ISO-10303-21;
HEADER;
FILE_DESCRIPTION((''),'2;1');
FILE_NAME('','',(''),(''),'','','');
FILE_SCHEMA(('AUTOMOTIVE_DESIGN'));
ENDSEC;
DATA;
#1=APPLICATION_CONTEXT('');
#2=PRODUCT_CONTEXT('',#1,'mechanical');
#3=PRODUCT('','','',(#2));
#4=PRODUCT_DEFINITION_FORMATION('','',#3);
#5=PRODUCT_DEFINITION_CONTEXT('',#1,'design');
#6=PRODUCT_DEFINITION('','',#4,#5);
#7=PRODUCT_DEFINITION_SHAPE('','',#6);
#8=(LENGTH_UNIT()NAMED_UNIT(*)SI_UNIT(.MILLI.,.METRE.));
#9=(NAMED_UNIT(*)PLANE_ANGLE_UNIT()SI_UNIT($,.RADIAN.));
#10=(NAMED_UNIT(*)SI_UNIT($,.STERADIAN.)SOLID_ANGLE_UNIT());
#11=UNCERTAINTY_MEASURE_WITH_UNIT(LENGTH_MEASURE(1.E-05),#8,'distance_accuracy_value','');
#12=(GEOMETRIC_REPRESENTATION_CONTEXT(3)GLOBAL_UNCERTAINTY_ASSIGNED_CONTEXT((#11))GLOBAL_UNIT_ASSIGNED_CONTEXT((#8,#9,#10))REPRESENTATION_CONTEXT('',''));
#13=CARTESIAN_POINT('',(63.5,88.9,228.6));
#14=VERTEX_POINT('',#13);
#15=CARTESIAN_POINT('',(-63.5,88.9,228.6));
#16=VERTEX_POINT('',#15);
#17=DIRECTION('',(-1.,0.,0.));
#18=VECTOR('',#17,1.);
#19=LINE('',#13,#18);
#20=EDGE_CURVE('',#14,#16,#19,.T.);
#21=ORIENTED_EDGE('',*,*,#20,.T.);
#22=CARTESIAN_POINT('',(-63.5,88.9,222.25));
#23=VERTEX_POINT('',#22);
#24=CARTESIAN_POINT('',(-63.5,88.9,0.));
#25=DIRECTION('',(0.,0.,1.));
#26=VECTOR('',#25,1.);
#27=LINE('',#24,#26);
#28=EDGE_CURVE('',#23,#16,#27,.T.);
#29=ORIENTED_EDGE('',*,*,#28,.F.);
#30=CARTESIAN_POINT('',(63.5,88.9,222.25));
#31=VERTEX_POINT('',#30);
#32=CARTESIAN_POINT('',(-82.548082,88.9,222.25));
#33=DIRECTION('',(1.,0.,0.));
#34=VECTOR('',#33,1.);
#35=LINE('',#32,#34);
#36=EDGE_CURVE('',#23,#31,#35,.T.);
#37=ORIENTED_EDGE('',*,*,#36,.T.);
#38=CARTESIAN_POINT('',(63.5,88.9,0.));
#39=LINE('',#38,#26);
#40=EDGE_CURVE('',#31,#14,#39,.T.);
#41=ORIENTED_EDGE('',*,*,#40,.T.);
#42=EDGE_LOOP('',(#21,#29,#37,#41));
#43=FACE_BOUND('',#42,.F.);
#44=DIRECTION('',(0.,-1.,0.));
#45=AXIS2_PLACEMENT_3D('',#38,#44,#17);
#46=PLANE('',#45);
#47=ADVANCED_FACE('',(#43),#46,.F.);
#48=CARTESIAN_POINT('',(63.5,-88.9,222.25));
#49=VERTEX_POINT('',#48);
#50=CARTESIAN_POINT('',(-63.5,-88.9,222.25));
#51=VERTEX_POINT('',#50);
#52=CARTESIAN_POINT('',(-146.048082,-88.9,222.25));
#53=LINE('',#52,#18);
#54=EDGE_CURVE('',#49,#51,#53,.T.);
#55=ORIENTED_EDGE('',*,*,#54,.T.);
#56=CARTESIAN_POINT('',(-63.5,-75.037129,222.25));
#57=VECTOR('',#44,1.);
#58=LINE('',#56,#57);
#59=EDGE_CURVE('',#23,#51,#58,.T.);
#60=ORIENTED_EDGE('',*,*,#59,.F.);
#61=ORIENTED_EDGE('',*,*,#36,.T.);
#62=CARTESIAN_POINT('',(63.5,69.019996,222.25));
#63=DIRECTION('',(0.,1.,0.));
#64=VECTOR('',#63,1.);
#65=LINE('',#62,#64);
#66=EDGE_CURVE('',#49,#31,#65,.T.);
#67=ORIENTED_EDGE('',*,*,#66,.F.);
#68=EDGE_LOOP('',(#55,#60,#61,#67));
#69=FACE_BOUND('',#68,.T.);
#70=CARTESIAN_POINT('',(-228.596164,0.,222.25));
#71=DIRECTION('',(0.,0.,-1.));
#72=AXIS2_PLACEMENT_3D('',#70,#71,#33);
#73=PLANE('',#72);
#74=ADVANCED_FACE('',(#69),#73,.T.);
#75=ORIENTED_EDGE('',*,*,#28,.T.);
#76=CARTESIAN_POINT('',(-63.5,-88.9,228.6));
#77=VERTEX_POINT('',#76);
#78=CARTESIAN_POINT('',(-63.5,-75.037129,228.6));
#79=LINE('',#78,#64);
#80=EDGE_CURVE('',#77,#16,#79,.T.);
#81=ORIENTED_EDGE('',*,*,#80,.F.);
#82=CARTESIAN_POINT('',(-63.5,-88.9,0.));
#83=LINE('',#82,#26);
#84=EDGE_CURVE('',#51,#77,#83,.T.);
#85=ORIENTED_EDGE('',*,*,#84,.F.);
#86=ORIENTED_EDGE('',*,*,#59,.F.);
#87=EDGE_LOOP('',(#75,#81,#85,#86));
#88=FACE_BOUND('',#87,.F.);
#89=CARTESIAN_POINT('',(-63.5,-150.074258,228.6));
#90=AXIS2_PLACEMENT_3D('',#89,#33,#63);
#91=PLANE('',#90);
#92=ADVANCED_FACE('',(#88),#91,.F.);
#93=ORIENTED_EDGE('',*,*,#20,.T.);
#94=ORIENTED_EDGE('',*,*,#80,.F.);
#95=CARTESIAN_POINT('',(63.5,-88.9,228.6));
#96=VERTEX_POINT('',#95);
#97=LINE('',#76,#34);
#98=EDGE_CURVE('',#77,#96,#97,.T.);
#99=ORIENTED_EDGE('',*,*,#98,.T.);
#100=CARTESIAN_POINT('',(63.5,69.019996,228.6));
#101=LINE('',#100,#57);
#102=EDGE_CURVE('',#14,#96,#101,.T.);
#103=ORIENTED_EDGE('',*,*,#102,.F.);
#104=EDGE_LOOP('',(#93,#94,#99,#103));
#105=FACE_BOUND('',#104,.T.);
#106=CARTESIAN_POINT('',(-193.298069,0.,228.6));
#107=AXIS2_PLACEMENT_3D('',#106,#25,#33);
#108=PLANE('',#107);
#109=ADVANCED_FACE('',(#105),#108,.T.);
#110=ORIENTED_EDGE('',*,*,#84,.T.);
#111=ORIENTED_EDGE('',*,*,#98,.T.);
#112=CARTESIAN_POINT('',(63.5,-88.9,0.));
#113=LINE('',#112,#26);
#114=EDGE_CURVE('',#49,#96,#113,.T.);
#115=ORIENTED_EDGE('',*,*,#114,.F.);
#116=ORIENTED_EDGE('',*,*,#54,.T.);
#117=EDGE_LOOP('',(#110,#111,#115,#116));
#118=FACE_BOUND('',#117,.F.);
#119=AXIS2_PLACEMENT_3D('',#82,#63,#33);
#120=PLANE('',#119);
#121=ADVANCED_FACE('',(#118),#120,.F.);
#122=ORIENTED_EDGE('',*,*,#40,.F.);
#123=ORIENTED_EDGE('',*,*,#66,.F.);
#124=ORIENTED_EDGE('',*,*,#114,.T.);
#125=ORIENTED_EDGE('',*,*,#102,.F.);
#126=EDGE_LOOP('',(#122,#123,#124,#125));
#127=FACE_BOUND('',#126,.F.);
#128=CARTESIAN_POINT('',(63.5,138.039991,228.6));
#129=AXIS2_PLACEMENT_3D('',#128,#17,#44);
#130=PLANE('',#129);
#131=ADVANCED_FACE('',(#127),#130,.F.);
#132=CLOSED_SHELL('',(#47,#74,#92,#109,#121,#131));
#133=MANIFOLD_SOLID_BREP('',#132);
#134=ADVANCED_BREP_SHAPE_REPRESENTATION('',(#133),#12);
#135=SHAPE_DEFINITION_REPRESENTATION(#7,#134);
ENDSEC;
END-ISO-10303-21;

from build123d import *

# Parameters (mm, degrees)
F1_DEPTH  = 228.6
F2_R      = 6.35
F3_DEPTH  = 76.2
F2_R_2    = 0.0318822677
F4_DEPTH  = 177.8
F5_DEPTH  = 203.2
F18_W     = 457.1923286208
F18_H     = 234.95
F19_DEPTH = 254
F21_DEPTH = 254
F22_DEPTH = 254


with BuildPart() as f1:
    # F0 (on Top) → F1 (new body)
    with BuildSketch(Plane.XY):
        Polygon((-190.5, 0), (-176.9553790345, 11.8515433448), (-190.5, 25.3961643104), (-215.8961643104, 0), (-190.5, -25.3961643104), (-176.9553790345, -11.8515433448), align=None)
        Polygon((-165.1038356896, 0), (-176.9553790345, 11.8515433448), (-190.5, 0), (-176.9553790345, -11.8515433448), align=None)
        Polygon((-88.9, 0), (-88.9, 63.5), (-102.4466666667, 77.0466666667), (-176.9553790345, 11.8515433448), (-165.1038356896, 0), (-176.9553790345, -11.8515433448), (-102.4466666667, -77.0466666667), (-88.9, -63.5), align=None)
        Polygon((-88.9, 63.5), (-63.5, 88.9), (-88.9, 114.3), (-114.3, 88.9), (-102.4466666667, 77.0466666667), align=None)
        Polygon((-63.5, -88.9), (-88.9, -63.5), (-102.4466666667, -77.0466666667), (-114.3, -88.9), (-88.9, -114.3), align=None)
        Polygon((102.4466666667, -77.0466666667), (88.9, -63.5), (63.5, -88.9), (88.9, -114.3), (114.3, -88.9), align=None)
        Polygon((102.4466666667, 77.0466666667), (88.9, 63.5), (88.9, 0), (88.9, -63.5), (102.4466666667, -77.0466666667), (176.9553790345, -11.8515433448), (165.1038356896, 0), (176.9553790345, 11.8515433448), align=None)
        Polygon((63.5, 88.9), (0, 88.9), (-63.5, 88.9), (-88.9, 63.5), (-88.9, 0), (-88.9, -63.5), (-63.5, -88.9), (0, -88.9), (63.5, -88.9), (88.9, -63.5), (88.9, 0), (88.9, 63.5), align=None)
        Polygon((88.9, 114.3), (63.5, 88.9), (88.9, 63.5), (102.4466666667, 77.0466666667), (114.3, 88.9), align=None)
        Polygon((190.5, 25.3961643104), (176.9553790345, 11.8515433448), (190.5, 0), (176.9553790345, -11.8515433448), (190.5, -25.3961643104), (215.8961643104, 0), align=None)
        Polygon((190.5, 0), (176.9553790345, 11.8515433448), (165.1038356896, 0), (176.9553790345, -11.8515433448), align=None)
    extrude(amount=F1_DEPTH)

    # F2 (on face) → F3 (join)
    with BuildSketch(Plane.XY.offset(228.6)):
        Polygon((-177.8019178448, 0), (-190.5, 12.6980821552), (-203.1980821552, 0), (-190.5, -12.6980821552), align=None)
        with Locations((-190.5, 0)):
            Circle(F2_R, mode=Mode.SUBTRACT)
        Polygon((-88.9, 101.6), (-101.6, 88.9), (-88.9, 76.2), (-76.2, 88.9), align=None)
        with Locations((-88.9, 88.8576358557)):
            Circle(F2_R, mode=Mode.SUBTRACT)
        Polygon((190.5, -12.6980821552), (203.1980821552, 0), (190.5, 12.6980821552), (177.8019178448, 0), align=None)
        with Locations((190.5, 0)):
            Circle(F2_R, mode=Mode.SUBTRACT)
        Polygon((88.9, -101.6), (101.6, -88.9), (88.9, -76.2), (76.2, -88.9), align=None)
        with Locations((88.9, -88.8576358557)):
            Circle(F2_R, mode=Mode.SUBTRACT)
        Polygon((-101.6, -88.9), (-88.9, -101.6), (-76.2, -88.9), (-88.9, -76.2), align=None)
        with Locations((-88.9, -88.8576358557)):
            Circle(F2_R, mode=Mode.SUBTRACT)
        Polygon((101.6, 88.9), (88.9, 101.6), (76.2, 88.9), (88.9, 76.2), align=None)
        with Locations((88.9, 88.8576358557)):
            Circle(F2_R, mode=Mode.SUBTRACT)
    extrude(amount=F3_DEPTH)

    # F2 (on face) → F4 (join)
    with BuildSketch(Plane.XY.offset(228.6)):
        with Locations((-88.9, 88.8576358557)):
            Circle(F2_R)
        with Locations((-88.9, 88.8576358557)):
            Circle(F2_R_2, mode=Mode.SUBTRACT)
        with Locations((190.5, 0)):
            Circle(F2_R)
        with Locations((-88.9, -88.8576358557)):
            Circle(F2_R)
        with Locations((-88.9, -88.8576358557)):
            Circle(F2_R_2, mode=Mode.SUBTRACT)
        with Locations((88.9, -88.8576358557)):
            Circle(F2_R)
        with Locations((88.9, -88.8576358557)):
            Circle(F2_R_2, mode=Mode.SUBTRACT)
        with Locations((88.9, 88.8576358557)):
            Circle(F2_R)
        with Locations((88.9, 88.8576358557)):
            Circle(F2_R_2, mode=Mode.SUBTRACT)
    extrude(amount=F4_DEPTH)

    # F2 (on face) → F5 (join)
    with BuildSketch(Plane.XY.offset(228.6)):
        with Locations((-190.5, 0)):
            Circle(F2_R)
    extrude(amount=F5_DEPTH)

    # F6 (on face) → F7 (revolve, cut)
    with BuildSketch(Plane.XZ.offset(88.9)):
        Polygon((-88.8746, 406.4), (-82.4992, 304.8), (-82.4992, 406.4), align=None)
    revolve(axis=Axis((-88.9, -88.9, 355.6), (0, 0, 1)), mode=Mode.SUBTRACT)

    # F8 (on face) → F9 (revolve, cut)
    with BuildSketch(Plane.XZ.offset(88.9)):
        Polygon((88.9258086681, 406.4), (95.3012086681, 304.8), (95.3012086681, 406.4), align=None)
    revolve(axis=Axis((88.9004086681, -88.9, 355.6), (0, 0, 1)), mode=Mode.SUBTRACT)

    # F10 (on face) → F11 (revolve, cut)
    with BuildSketch(Plane(origin=(0, 88.9, 0), x_dir=(-1, 0, 0), z_dir=(0, 1, 0))):
        Polygon((88.9252200723, 406.4), (95.3006200723, 304.8), (95.3006200723, 406.4), align=None)
    revolve(axis=Axis((-88.8998200723, 88.9, 355.6), (0, 0, 1)), mode=Mode.SUBTRACT)

    # F12 (on face) → F13 (revolve, cut)
    with BuildSketch(Plane(origin=(0, 88.9, 0), x_dir=(-1, 0, 0), z_dir=(0, 1, 0))):
        Polygon((-88.873654604, 406.4), (-82.498254604, 304.8), (-82.498254604, 406.4), align=None)
    revolve(axis=Axis((88.899054604, 88.9, 355.6), (0, 0, 1)), mode=Mode.SUBTRACT)

    # F14 (on face) → F15 (revolve, cut)
    with BuildSketch(Plane(origin=(82.6061946903, 94.407079646, 0), x_dir=(-0.7525766947, 0.6585046079, 0), z_dir=(0.6585046079, 0.7525766947, 0))):
        Polygon((-143.3982827, 406.4), (-136.9974827, 304.8), (-136.9974827, 406.4), align=None)
    revolve(axis=Axis((190.5435157593, -0.0380762894, 355.6), (0, 0, 1)), mode=Mode.SUBTRACT)

    # F16 (on face) → F17 (revolve, cut)
    with BuildSketch(Plane(origin=(-82.6061946903, -94.407079646, 0), x_dir=(0.7525766947, -0.6585046079, 0), z_dir=(-0.6585046079, -0.7525766947, 0))):
        Polygon((-143.3958336711, 431.8), (-136.9950336711, 304.8), (-136.9950336711, 431.8), align=None)
    revolve(axis=Axis((-190.5416726772, 0.0364635926, 368.3), (0, 0, 1)), mode=Mode.SUBTRACT)

    # F18 (on Front) → F19 (cut, symmetric)
    with BuildSketch(Plane.XZ):
        with Locations((0, 104.775)):
            Rectangle(F18_W, F18_H)
    extrude(amount=F19_DEPTH, both=True, mode=Mode.SUBTRACT)

    # F20 (on face) → F21 (cut, symmetric)
    with BuildSketch(Plane.XY.offset(228.6)):
        Polygon((-63.5, -88.9), (-63.5, 88.9), (-88.9, 114.3), (-114.3, 88.9), (-102.4466666667, 77.0466666667), (-176.9553790345, 11.8515433448), (-190.5, 25.3961643104), (-215.8961643104, 0), (-190.5, -25.3961643104), (-176.9553790345, -11.8515433448), (-102.4466666667, -77.0466666667), (-114.3, -88.9), (-88.9, -114.3), align=None)
        Polygon((-76.2, -88.9), (-88.9, -101.6), (-101.6, -88.9), (-88.9, -76.2), align=None, mode=Mode.SUBTRACT)
        Polygon((-190.5, -12.6980821552), (-203.1980821552, 0), (-190.5, 12.6980821552), (-177.8019178448, 0), align=None, mode=Mode.SUBTRACT)
        Polygon((-88.9, 76.2), (-101.6, 88.9), (-88.9, 101.6), (-76.2, 88.9), align=None, mode=Mode.SUBTRACT)
        Polygon((-88.9, 101.6), (-101.6, 88.9), (-88.9, 76.2), (-76.2, 88.9), align=None)
        Polygon((-190.5, 12.6980821552), (-203.1980821552, 0), (-190.5, -12.6980821552), (-177.8019178448, 0), align=None)
        Polygon((-101.6, -88.9), (-88.9, -101.6), (-76.2, -88.9), (-88.9, -76.2), align=None)
        Polygon((-88.9, 114.3), (-63.5, 88.9), (-63.5, 130.1615387201), (-229.1453778744, 130.1615387201), (-229.1453778744, -150.0742584467), (-63.5, -150.0742584467), (-63.5, -88.9), (-88.9, -114.3), (-114.3, -88.9), (-102.4466666667, -77.0466666667), (-176.9553790345, -11.8515433448), (-190.5, -25.3961643104), (-215.8961643104, 0), (-190.5, 25.3961643104), (-176.9553790345, 11.8515433448), (-102.4466666667, 77.0466666667), (-114.3, 88.9), align=None)
    extrude(amount=F21_DEPTH, both=True, mode=Mode.SUBTRACT)

    # F20 (on face) → F22 (cut, symmetric)
    with BuildSketch(Plane.XY.offset(228.6)):
        Polygon((88.9, 114.3), (63.5, 88.9), (63.5, -88.9), (88.9, -114.3), (114.3, -88.9), (102.4466666667, -77.0466666667), (176.9553790345, -11.8515433448), (190.5, -25.3961643104), (215.8961643104, 0), (190.5, 25.3961643104), (176.9553790345, 11.8515433448), (102.4466666667, 77.0466666667), (114.3, 88.9), align=None)
        Polygon((88.9, -76.2), (101.6, -88.9), (88.9, -101.6), (76.2, -88.9), align=None, mode=Mode.SUBTRACT)
        Polygon((190.5, -12.6980821552), (177.8019178448, 0), (190.5, 12.6980821552), (203.1980821552, 0), align=None, mode=Mode.SUBTRACT)
        Polygon((76.2, 88.9), (88.9, 101.6), (101.6, 88.9), (88.9, 76.2), align=None, mode=Mode.SUBTRACT)
        Polygon((101.6, 88.9), (88.9, 101.6), (76.2, 88.9), (88.9, 76.2), align=None)
        Polygon((246.9839304686, 138.0399912596), (63.5, 138.0399912596), (63.5, 88.9), (88.9, 114.3), (114.3, 88.9), (102.4466666667, 77.0466666667), (176.9553790345, 11.8515433448), (190.5, 25.3961643104), (215.8961643104, 0), (190.5, -25.3961643104), (176.9553790345, -11.8515433448), (102.4466666667, -77.0466666667), (114.3, -88.9), (88.9, -114.3), (63.5, -88.9), (63.5, -133.0628693104), (246.9839304686, -133.0628693104), align=None)
        Polygon((190.5, 12.6980821552), (177.8019178448, 0), (190.5, -12.6980821552), (203.1980821552, 0), align=None)
        Polygon((88.9, -101.6), (101.6, -88.9), (88.9, -76.2), (76.2, -88.9), align=None)
    extrude(amount=F22_DEPTH, both=True, mode=Mode.SUBTRACT)


solid = f1.part
